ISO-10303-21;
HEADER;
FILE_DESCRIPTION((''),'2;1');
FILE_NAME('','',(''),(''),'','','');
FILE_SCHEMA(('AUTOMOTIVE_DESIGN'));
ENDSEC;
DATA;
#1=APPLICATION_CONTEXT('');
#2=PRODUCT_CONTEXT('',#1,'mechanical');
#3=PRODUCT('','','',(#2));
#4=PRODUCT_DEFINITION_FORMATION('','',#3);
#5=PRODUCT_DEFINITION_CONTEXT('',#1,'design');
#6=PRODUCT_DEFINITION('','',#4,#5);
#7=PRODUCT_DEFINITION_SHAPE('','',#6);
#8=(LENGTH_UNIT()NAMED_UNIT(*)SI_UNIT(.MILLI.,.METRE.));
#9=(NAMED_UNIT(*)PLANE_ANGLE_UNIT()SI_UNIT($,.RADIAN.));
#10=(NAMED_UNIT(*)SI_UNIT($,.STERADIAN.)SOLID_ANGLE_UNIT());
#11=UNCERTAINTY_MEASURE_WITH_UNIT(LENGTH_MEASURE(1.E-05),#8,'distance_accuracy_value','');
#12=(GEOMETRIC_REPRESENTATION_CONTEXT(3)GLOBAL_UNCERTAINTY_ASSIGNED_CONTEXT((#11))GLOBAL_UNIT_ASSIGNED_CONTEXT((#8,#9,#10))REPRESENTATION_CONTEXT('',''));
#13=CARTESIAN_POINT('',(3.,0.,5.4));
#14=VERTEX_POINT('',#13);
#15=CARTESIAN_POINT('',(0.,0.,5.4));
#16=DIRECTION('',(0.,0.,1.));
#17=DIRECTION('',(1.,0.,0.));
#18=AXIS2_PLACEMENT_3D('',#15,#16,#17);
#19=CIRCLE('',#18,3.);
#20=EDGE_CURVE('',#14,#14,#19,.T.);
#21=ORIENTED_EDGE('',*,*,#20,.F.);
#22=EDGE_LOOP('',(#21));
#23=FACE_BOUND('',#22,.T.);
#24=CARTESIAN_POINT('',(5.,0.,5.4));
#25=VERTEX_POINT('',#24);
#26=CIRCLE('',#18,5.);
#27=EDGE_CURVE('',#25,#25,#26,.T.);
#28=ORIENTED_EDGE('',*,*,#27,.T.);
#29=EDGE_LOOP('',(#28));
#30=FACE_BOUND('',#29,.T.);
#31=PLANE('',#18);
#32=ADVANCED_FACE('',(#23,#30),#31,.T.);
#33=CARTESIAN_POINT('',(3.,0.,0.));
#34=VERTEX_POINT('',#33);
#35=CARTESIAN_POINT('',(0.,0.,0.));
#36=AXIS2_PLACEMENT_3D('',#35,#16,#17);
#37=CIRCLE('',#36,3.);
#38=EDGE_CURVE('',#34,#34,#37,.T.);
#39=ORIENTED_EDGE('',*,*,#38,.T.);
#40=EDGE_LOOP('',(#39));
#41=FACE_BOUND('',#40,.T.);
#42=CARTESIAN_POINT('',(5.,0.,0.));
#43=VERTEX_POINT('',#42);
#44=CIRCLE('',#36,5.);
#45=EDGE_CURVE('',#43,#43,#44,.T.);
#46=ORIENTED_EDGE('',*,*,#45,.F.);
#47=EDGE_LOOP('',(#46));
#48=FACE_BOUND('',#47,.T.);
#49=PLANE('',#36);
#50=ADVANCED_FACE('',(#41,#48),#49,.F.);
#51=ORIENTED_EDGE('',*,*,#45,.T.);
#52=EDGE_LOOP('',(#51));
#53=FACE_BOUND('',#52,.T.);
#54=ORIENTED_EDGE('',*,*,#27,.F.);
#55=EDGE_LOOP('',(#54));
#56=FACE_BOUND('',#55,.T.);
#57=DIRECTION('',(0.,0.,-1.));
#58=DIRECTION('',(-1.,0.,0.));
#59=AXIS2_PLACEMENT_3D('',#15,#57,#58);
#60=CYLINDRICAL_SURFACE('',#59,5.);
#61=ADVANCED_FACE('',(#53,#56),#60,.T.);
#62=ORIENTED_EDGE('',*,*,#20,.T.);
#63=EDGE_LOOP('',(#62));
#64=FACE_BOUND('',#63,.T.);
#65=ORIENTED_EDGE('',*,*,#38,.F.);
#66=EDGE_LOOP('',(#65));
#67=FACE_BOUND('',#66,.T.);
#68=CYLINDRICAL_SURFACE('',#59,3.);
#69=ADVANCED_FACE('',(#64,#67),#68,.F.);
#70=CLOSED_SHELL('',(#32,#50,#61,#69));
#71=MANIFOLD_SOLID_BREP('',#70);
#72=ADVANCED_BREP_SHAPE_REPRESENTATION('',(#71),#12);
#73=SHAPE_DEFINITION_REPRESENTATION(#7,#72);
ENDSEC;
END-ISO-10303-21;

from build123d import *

# Parameters (mm, degrees)
SKETCH_1_R      = 5
SKETCH_1_R_2    = 3
EXTRUDE_1_DEPTH = 5.4


with BuildPart() as part:
    # ｽｹｯﾁ1 → ﾎﾞｽ - 押し出し1 (new body)
    with BuildSketch(Plane.XY):
        Circle(SKETCH_1_R)
        Circle(SKETCH_1_R_2, mode=Mode.SUBTRACT)
    extrude(amount=EXTRUDE_1_DEPTH)


solid = part.part
